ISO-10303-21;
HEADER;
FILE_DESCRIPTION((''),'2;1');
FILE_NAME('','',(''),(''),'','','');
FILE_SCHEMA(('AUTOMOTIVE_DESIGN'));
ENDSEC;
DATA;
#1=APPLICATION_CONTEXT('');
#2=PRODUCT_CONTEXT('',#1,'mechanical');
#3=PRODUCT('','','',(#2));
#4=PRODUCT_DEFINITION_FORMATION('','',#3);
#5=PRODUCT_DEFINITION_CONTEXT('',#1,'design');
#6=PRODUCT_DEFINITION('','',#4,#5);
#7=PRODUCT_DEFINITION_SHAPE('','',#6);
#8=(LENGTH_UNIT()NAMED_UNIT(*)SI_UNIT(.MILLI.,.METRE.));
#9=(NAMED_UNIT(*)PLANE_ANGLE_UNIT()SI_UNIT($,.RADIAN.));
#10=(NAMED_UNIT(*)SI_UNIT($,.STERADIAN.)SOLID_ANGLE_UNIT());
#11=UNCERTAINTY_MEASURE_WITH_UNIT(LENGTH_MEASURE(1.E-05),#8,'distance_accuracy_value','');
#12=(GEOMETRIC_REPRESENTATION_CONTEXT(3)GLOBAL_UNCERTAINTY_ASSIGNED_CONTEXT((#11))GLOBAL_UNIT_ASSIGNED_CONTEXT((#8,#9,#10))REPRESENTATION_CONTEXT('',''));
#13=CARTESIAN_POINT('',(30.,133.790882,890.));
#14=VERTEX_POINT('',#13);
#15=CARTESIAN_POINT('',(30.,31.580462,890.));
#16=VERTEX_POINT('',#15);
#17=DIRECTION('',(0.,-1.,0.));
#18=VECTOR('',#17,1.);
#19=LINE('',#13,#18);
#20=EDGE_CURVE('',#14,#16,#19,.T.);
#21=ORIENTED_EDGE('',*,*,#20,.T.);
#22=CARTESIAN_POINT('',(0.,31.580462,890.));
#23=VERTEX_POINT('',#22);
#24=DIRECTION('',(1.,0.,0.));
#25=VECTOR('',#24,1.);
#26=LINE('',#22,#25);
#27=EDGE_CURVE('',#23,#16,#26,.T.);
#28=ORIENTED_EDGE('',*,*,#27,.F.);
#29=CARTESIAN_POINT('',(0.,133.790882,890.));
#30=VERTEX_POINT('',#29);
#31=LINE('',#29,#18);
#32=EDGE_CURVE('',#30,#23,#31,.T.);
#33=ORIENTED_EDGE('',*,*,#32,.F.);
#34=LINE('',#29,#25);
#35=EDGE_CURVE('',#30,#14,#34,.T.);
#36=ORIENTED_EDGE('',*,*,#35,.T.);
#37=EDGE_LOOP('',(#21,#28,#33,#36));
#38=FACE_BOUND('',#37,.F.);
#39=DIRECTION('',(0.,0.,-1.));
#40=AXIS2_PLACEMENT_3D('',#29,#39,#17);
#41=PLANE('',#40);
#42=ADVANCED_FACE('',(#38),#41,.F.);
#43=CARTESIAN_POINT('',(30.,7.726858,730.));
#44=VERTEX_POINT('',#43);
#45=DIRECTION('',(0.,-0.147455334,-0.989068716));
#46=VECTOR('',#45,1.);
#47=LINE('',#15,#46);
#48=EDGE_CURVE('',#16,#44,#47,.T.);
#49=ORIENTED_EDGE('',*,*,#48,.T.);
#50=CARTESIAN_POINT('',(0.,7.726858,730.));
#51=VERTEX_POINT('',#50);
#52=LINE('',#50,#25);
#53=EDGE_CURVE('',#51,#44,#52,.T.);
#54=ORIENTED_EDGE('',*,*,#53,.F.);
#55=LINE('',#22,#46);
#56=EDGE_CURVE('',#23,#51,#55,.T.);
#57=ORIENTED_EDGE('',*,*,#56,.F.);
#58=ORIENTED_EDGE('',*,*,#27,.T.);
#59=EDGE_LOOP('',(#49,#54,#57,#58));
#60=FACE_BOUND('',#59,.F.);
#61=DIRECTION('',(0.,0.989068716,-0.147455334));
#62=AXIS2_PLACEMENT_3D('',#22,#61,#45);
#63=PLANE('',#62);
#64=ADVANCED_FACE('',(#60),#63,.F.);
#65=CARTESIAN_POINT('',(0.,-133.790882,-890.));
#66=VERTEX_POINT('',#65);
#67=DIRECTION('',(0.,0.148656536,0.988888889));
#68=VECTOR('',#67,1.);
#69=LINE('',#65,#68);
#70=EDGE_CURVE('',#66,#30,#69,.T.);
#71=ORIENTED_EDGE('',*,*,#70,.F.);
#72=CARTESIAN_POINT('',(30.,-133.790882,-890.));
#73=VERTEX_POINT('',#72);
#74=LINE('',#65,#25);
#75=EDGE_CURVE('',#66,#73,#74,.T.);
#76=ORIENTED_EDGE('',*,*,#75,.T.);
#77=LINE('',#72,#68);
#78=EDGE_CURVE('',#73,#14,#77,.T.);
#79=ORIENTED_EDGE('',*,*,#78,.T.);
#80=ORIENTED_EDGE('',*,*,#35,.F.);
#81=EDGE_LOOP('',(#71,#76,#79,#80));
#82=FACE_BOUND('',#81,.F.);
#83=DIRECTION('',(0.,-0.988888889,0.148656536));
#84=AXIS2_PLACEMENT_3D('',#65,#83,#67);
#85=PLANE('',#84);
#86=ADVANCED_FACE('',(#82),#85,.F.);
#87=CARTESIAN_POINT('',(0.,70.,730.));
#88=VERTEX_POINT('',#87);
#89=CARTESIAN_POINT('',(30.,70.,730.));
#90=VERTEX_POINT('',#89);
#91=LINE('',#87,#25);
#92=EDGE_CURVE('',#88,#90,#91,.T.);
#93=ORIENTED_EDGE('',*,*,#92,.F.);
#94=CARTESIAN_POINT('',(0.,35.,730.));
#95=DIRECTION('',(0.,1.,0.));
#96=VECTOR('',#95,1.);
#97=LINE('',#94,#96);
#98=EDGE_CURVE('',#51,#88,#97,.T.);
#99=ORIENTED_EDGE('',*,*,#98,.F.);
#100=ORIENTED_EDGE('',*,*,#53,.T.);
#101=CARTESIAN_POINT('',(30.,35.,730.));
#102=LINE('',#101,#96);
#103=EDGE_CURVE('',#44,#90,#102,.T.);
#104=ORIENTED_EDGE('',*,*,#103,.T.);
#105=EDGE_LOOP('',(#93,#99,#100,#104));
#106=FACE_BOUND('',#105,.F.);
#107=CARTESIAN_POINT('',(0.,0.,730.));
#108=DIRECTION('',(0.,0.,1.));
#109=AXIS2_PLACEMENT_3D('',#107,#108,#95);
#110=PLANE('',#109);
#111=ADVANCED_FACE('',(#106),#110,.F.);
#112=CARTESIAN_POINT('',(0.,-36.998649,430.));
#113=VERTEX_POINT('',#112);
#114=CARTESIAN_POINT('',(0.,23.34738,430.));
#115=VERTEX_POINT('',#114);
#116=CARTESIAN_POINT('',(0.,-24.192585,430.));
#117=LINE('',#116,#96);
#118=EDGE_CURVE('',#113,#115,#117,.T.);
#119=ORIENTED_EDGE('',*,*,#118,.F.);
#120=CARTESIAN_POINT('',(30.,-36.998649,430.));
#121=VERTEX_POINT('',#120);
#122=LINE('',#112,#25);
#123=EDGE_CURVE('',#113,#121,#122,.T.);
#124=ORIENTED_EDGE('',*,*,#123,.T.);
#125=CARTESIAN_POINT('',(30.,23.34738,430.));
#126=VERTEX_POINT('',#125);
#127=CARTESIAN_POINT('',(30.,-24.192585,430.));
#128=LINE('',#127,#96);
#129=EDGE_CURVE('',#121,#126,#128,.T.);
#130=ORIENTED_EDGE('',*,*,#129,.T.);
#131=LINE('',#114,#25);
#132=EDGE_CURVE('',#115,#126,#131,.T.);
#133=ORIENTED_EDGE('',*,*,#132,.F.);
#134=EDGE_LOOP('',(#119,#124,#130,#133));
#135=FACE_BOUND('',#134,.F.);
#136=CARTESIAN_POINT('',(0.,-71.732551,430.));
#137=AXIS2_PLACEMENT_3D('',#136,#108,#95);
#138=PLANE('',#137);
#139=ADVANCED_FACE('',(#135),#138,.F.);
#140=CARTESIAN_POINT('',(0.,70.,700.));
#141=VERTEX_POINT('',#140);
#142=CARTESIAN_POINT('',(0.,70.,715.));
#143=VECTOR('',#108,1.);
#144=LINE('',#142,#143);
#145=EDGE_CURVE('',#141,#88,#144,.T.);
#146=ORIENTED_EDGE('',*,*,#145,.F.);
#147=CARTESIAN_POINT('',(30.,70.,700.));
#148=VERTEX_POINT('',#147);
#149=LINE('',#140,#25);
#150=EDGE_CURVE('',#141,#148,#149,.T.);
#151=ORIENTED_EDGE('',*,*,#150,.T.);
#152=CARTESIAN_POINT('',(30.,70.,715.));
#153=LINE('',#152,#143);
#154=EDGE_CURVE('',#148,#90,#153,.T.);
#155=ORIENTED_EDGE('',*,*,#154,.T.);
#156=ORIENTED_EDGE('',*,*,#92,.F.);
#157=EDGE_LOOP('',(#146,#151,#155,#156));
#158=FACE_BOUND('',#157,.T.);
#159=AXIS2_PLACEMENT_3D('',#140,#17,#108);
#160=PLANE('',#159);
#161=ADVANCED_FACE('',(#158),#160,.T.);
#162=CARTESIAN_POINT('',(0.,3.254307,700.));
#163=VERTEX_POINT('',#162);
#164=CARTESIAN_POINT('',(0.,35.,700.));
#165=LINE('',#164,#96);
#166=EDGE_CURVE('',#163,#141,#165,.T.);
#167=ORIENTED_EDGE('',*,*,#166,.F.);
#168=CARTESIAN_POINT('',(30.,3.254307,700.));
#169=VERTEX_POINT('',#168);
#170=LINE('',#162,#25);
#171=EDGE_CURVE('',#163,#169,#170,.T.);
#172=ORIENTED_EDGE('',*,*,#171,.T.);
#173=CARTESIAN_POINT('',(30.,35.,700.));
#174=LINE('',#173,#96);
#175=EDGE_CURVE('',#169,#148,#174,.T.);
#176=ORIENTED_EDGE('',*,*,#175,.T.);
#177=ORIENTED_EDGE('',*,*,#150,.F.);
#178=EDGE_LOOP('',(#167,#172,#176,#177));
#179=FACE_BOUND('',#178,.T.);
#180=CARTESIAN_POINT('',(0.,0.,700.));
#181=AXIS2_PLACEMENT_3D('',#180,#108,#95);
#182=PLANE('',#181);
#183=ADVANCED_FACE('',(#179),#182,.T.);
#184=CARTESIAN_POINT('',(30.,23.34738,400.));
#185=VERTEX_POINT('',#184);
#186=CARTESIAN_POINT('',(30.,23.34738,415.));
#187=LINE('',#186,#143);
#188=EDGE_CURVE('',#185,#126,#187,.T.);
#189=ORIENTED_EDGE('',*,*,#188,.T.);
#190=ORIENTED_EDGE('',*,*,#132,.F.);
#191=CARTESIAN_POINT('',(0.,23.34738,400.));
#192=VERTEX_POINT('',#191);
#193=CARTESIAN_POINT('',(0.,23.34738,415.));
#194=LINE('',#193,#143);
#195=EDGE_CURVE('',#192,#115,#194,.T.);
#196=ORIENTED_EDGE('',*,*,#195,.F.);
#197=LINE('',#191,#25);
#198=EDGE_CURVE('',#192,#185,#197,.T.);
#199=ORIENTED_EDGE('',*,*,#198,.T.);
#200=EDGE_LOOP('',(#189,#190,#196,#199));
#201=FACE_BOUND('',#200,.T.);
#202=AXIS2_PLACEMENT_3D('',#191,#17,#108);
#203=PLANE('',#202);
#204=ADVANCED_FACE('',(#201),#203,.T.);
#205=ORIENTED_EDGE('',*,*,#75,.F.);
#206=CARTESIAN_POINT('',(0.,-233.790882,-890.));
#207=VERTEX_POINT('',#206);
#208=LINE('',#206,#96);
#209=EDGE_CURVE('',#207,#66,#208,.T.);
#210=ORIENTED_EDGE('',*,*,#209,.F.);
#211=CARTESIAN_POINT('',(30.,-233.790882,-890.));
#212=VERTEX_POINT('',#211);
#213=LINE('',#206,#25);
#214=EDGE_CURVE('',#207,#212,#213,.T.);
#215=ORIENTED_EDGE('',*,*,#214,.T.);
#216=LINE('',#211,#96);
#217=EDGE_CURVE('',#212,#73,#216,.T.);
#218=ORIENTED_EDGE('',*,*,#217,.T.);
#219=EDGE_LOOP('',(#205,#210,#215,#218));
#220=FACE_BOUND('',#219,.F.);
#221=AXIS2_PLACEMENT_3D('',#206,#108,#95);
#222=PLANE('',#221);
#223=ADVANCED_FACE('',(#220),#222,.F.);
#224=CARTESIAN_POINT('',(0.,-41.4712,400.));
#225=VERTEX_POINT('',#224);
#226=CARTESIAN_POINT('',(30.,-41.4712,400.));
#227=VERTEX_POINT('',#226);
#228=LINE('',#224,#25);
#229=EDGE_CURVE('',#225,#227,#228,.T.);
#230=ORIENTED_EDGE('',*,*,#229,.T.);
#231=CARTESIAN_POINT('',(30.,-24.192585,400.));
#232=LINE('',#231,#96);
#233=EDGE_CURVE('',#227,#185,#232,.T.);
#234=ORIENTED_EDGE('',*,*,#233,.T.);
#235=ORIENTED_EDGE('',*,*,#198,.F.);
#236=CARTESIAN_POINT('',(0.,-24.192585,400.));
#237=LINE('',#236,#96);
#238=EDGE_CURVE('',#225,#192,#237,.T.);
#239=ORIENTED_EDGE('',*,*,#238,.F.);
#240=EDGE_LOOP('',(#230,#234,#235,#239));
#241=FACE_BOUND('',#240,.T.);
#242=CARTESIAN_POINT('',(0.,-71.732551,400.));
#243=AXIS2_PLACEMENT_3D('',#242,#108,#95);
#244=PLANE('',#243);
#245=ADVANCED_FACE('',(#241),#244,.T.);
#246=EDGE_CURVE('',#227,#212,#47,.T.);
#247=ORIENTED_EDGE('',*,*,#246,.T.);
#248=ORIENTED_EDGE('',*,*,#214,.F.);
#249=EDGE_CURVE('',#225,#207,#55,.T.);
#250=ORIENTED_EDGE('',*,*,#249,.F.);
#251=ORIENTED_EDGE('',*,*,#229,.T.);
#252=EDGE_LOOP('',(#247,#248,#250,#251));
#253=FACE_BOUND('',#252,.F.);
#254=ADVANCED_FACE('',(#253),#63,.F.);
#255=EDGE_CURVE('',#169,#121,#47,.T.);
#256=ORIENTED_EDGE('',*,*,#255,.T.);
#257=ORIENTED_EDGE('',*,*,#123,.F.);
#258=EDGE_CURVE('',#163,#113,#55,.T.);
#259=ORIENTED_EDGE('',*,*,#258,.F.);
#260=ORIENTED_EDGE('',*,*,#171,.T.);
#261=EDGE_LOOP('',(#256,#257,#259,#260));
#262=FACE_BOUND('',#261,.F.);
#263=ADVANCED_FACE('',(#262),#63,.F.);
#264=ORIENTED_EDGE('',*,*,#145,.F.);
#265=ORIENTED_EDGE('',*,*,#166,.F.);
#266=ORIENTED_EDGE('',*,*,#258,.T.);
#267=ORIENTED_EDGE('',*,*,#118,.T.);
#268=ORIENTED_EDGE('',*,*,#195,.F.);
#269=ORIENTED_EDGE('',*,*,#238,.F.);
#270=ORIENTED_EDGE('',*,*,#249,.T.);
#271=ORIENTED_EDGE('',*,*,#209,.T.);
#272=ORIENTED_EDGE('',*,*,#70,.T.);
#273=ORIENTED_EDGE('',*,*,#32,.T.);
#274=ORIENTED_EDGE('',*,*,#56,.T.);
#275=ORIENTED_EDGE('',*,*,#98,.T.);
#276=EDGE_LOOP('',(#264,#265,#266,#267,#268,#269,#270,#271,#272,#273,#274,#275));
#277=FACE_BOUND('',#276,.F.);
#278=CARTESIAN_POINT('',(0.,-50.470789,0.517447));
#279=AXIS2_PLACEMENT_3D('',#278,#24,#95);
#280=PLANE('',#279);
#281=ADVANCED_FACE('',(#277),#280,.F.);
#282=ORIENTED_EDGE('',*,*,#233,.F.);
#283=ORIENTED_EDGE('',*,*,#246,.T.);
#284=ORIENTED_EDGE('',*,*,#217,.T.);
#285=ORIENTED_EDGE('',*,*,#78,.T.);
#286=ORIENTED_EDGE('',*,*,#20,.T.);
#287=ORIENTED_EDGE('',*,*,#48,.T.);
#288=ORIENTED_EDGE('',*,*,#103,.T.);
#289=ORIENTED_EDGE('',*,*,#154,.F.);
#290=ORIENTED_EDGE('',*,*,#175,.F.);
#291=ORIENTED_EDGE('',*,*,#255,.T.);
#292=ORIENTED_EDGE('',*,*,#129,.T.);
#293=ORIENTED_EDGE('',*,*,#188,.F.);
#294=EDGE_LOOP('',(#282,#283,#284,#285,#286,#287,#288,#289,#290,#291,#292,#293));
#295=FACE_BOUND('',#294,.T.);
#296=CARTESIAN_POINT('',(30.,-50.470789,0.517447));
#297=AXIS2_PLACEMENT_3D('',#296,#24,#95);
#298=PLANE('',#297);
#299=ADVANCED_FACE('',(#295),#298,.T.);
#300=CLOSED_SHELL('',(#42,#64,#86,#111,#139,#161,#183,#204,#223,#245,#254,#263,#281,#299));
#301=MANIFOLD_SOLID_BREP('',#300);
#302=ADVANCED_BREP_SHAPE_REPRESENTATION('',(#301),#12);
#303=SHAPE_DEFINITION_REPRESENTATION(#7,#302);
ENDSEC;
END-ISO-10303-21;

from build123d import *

# Parameters (mm, degrees)
F1_DEPTH = 30
F2_W     = 70
F2_H     = 30
F3_DEPTH = 30
F4_W     = 95.079931
F4_H     = 30
F5_DEPTH = 30


with BuildPart() as f1:
    # F0 (on Right) → F1 (new body)
    with BuildSketch(Plane.YZ):
        Polygon((133.790882, 890), (31.580462, 890), (-233.790882, -890), (-133.790882, -890), align=None)
    extrude(amount=F1_DEPTH)

    # F2 (on Right) → F3 (cut)
    with BuildSketch(Plane.YZ):
        with Locations((35, 715)):
            Rectangle(F2_W, F2_H)
    extrude(amount=F3_DEPTH, mode=Mode.SUBTRACT)

    # F4 (on Right) → F5 (cut)
    with BuildSketch(Plane.YZ):
        with Locations((-24.192585, 415)):
            Rectangle(F4_W, F4_H)
    extrude(amount=F5_DEPTH, mode=Mode.SUBTRACT)


solid = f1.part
